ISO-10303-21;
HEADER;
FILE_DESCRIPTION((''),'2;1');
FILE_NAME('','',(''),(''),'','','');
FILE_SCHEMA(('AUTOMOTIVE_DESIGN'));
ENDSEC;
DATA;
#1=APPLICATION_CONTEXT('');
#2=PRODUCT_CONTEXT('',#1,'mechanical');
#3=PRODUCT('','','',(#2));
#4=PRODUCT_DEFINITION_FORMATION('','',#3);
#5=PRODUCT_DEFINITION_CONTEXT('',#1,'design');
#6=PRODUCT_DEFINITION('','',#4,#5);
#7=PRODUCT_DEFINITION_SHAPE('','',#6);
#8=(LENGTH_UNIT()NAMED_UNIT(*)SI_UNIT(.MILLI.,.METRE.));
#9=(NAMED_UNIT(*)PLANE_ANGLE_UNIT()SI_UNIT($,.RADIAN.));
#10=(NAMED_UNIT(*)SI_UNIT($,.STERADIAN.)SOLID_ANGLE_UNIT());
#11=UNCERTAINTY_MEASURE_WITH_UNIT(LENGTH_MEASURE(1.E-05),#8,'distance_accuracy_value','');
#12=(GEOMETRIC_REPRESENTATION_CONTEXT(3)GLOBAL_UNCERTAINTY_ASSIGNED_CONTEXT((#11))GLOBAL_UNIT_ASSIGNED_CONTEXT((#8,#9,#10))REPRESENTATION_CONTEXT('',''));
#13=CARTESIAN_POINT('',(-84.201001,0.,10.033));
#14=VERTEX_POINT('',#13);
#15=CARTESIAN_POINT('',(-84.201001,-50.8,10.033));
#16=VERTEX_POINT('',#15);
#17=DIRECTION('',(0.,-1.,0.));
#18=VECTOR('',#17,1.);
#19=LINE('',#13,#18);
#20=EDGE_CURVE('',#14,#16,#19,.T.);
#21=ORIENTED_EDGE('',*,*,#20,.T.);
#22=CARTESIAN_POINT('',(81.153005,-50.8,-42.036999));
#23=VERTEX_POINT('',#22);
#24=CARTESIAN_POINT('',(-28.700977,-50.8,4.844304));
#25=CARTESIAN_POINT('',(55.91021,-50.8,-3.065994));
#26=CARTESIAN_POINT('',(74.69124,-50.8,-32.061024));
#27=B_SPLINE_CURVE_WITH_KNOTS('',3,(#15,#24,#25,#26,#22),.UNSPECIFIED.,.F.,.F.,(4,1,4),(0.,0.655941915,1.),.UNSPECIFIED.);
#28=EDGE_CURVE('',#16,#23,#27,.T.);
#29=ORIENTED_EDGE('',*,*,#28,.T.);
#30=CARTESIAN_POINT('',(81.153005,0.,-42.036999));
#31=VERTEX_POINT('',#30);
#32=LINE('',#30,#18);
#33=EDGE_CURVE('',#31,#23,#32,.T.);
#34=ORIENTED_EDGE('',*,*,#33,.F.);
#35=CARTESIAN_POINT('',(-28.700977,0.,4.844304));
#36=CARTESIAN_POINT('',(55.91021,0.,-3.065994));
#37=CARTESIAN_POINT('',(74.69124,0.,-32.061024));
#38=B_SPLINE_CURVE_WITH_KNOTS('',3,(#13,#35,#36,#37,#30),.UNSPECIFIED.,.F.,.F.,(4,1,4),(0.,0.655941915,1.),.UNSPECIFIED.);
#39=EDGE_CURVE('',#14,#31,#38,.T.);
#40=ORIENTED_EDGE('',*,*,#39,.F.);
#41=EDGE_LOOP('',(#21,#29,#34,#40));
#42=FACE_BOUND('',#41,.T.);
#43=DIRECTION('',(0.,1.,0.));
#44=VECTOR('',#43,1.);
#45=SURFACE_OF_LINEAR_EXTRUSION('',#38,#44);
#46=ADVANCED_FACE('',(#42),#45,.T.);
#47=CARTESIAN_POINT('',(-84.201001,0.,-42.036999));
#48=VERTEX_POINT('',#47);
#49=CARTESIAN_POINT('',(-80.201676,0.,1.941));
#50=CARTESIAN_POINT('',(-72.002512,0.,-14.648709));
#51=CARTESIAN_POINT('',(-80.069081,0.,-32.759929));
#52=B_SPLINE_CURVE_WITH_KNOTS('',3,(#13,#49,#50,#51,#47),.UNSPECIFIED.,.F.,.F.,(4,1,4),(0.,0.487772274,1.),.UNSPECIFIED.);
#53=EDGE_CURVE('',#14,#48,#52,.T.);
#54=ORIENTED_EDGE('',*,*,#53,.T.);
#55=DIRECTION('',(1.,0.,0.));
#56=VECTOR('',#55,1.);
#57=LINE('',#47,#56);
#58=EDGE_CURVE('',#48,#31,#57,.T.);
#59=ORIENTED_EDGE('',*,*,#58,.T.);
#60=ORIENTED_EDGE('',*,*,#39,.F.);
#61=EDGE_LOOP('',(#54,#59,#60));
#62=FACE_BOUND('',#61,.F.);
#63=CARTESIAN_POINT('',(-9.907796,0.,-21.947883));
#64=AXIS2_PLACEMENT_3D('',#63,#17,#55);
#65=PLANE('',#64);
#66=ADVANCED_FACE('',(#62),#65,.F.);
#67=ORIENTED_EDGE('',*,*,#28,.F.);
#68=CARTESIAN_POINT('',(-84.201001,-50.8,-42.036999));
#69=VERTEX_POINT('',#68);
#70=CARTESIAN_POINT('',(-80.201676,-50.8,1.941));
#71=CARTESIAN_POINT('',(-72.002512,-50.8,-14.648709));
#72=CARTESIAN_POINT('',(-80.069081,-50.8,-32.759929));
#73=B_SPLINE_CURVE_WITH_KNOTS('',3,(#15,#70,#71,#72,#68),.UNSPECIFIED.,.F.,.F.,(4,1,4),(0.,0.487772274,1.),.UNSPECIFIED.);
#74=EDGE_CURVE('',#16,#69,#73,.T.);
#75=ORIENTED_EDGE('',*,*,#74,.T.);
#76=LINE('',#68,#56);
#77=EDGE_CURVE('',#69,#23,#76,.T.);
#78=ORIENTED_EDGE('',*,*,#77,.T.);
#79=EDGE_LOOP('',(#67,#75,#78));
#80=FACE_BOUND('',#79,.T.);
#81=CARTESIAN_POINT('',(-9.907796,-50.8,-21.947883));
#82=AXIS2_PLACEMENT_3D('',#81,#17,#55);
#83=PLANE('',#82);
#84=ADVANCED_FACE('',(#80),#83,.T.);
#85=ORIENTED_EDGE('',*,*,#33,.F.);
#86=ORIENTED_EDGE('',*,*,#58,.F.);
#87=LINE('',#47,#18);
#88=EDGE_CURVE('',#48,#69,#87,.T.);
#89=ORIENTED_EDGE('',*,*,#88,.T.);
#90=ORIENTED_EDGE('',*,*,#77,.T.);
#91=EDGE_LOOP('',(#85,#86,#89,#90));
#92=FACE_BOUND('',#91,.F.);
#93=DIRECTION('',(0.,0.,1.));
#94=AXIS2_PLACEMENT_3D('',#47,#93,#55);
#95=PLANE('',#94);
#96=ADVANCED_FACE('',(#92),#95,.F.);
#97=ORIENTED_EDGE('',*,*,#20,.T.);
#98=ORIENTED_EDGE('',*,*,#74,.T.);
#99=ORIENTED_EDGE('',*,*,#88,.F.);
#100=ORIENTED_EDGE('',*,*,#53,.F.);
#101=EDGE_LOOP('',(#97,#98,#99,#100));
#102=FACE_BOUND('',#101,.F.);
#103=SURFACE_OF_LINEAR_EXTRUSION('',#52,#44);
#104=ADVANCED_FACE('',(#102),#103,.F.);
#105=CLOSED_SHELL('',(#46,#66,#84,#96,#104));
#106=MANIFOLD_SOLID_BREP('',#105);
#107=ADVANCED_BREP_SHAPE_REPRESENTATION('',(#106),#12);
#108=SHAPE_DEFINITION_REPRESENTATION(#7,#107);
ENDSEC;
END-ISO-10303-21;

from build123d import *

# Parameters (mm, degrees)
F1_DEPTH = 50.8


with BuildPart() as f1:
    # F0 (on Front) → F1 (new body)
    with BuildSketch(Plane.XZ):
        with BuildLine():
            add(Edge.make_bspline(
                [(-84.2010006309, 10.0330002606), (-80.2016757869, 1.9410002702), (-72.0025118474, -14.64870852), (-80.0690805116, -32.7599294926), (-84.2010006309, -42.036999017)],
                knots=[0, 0, 0, 0, 0.4877722745, 1, 1, 1, 1], degree=3))
            Line((-84.2010006309, -42.036999017), (81.1530053616, -42.036999017))
            add(Edge.make_bspline(
                [(-84.2010006309, 10.0330002606), (-28.7009769168, 4.8443041749), (55.9102096358, -3.0659939311), (74.6912400111, -32.0610243637), (81.1530053616, -42.036999017)],
                knots=[0, 0, 0, 0, 0.6559419147, 1, 1, 1, 1], degree=3))
        make_face()
    extrude(amount=F1_DEPTH)


solid = f1.part
